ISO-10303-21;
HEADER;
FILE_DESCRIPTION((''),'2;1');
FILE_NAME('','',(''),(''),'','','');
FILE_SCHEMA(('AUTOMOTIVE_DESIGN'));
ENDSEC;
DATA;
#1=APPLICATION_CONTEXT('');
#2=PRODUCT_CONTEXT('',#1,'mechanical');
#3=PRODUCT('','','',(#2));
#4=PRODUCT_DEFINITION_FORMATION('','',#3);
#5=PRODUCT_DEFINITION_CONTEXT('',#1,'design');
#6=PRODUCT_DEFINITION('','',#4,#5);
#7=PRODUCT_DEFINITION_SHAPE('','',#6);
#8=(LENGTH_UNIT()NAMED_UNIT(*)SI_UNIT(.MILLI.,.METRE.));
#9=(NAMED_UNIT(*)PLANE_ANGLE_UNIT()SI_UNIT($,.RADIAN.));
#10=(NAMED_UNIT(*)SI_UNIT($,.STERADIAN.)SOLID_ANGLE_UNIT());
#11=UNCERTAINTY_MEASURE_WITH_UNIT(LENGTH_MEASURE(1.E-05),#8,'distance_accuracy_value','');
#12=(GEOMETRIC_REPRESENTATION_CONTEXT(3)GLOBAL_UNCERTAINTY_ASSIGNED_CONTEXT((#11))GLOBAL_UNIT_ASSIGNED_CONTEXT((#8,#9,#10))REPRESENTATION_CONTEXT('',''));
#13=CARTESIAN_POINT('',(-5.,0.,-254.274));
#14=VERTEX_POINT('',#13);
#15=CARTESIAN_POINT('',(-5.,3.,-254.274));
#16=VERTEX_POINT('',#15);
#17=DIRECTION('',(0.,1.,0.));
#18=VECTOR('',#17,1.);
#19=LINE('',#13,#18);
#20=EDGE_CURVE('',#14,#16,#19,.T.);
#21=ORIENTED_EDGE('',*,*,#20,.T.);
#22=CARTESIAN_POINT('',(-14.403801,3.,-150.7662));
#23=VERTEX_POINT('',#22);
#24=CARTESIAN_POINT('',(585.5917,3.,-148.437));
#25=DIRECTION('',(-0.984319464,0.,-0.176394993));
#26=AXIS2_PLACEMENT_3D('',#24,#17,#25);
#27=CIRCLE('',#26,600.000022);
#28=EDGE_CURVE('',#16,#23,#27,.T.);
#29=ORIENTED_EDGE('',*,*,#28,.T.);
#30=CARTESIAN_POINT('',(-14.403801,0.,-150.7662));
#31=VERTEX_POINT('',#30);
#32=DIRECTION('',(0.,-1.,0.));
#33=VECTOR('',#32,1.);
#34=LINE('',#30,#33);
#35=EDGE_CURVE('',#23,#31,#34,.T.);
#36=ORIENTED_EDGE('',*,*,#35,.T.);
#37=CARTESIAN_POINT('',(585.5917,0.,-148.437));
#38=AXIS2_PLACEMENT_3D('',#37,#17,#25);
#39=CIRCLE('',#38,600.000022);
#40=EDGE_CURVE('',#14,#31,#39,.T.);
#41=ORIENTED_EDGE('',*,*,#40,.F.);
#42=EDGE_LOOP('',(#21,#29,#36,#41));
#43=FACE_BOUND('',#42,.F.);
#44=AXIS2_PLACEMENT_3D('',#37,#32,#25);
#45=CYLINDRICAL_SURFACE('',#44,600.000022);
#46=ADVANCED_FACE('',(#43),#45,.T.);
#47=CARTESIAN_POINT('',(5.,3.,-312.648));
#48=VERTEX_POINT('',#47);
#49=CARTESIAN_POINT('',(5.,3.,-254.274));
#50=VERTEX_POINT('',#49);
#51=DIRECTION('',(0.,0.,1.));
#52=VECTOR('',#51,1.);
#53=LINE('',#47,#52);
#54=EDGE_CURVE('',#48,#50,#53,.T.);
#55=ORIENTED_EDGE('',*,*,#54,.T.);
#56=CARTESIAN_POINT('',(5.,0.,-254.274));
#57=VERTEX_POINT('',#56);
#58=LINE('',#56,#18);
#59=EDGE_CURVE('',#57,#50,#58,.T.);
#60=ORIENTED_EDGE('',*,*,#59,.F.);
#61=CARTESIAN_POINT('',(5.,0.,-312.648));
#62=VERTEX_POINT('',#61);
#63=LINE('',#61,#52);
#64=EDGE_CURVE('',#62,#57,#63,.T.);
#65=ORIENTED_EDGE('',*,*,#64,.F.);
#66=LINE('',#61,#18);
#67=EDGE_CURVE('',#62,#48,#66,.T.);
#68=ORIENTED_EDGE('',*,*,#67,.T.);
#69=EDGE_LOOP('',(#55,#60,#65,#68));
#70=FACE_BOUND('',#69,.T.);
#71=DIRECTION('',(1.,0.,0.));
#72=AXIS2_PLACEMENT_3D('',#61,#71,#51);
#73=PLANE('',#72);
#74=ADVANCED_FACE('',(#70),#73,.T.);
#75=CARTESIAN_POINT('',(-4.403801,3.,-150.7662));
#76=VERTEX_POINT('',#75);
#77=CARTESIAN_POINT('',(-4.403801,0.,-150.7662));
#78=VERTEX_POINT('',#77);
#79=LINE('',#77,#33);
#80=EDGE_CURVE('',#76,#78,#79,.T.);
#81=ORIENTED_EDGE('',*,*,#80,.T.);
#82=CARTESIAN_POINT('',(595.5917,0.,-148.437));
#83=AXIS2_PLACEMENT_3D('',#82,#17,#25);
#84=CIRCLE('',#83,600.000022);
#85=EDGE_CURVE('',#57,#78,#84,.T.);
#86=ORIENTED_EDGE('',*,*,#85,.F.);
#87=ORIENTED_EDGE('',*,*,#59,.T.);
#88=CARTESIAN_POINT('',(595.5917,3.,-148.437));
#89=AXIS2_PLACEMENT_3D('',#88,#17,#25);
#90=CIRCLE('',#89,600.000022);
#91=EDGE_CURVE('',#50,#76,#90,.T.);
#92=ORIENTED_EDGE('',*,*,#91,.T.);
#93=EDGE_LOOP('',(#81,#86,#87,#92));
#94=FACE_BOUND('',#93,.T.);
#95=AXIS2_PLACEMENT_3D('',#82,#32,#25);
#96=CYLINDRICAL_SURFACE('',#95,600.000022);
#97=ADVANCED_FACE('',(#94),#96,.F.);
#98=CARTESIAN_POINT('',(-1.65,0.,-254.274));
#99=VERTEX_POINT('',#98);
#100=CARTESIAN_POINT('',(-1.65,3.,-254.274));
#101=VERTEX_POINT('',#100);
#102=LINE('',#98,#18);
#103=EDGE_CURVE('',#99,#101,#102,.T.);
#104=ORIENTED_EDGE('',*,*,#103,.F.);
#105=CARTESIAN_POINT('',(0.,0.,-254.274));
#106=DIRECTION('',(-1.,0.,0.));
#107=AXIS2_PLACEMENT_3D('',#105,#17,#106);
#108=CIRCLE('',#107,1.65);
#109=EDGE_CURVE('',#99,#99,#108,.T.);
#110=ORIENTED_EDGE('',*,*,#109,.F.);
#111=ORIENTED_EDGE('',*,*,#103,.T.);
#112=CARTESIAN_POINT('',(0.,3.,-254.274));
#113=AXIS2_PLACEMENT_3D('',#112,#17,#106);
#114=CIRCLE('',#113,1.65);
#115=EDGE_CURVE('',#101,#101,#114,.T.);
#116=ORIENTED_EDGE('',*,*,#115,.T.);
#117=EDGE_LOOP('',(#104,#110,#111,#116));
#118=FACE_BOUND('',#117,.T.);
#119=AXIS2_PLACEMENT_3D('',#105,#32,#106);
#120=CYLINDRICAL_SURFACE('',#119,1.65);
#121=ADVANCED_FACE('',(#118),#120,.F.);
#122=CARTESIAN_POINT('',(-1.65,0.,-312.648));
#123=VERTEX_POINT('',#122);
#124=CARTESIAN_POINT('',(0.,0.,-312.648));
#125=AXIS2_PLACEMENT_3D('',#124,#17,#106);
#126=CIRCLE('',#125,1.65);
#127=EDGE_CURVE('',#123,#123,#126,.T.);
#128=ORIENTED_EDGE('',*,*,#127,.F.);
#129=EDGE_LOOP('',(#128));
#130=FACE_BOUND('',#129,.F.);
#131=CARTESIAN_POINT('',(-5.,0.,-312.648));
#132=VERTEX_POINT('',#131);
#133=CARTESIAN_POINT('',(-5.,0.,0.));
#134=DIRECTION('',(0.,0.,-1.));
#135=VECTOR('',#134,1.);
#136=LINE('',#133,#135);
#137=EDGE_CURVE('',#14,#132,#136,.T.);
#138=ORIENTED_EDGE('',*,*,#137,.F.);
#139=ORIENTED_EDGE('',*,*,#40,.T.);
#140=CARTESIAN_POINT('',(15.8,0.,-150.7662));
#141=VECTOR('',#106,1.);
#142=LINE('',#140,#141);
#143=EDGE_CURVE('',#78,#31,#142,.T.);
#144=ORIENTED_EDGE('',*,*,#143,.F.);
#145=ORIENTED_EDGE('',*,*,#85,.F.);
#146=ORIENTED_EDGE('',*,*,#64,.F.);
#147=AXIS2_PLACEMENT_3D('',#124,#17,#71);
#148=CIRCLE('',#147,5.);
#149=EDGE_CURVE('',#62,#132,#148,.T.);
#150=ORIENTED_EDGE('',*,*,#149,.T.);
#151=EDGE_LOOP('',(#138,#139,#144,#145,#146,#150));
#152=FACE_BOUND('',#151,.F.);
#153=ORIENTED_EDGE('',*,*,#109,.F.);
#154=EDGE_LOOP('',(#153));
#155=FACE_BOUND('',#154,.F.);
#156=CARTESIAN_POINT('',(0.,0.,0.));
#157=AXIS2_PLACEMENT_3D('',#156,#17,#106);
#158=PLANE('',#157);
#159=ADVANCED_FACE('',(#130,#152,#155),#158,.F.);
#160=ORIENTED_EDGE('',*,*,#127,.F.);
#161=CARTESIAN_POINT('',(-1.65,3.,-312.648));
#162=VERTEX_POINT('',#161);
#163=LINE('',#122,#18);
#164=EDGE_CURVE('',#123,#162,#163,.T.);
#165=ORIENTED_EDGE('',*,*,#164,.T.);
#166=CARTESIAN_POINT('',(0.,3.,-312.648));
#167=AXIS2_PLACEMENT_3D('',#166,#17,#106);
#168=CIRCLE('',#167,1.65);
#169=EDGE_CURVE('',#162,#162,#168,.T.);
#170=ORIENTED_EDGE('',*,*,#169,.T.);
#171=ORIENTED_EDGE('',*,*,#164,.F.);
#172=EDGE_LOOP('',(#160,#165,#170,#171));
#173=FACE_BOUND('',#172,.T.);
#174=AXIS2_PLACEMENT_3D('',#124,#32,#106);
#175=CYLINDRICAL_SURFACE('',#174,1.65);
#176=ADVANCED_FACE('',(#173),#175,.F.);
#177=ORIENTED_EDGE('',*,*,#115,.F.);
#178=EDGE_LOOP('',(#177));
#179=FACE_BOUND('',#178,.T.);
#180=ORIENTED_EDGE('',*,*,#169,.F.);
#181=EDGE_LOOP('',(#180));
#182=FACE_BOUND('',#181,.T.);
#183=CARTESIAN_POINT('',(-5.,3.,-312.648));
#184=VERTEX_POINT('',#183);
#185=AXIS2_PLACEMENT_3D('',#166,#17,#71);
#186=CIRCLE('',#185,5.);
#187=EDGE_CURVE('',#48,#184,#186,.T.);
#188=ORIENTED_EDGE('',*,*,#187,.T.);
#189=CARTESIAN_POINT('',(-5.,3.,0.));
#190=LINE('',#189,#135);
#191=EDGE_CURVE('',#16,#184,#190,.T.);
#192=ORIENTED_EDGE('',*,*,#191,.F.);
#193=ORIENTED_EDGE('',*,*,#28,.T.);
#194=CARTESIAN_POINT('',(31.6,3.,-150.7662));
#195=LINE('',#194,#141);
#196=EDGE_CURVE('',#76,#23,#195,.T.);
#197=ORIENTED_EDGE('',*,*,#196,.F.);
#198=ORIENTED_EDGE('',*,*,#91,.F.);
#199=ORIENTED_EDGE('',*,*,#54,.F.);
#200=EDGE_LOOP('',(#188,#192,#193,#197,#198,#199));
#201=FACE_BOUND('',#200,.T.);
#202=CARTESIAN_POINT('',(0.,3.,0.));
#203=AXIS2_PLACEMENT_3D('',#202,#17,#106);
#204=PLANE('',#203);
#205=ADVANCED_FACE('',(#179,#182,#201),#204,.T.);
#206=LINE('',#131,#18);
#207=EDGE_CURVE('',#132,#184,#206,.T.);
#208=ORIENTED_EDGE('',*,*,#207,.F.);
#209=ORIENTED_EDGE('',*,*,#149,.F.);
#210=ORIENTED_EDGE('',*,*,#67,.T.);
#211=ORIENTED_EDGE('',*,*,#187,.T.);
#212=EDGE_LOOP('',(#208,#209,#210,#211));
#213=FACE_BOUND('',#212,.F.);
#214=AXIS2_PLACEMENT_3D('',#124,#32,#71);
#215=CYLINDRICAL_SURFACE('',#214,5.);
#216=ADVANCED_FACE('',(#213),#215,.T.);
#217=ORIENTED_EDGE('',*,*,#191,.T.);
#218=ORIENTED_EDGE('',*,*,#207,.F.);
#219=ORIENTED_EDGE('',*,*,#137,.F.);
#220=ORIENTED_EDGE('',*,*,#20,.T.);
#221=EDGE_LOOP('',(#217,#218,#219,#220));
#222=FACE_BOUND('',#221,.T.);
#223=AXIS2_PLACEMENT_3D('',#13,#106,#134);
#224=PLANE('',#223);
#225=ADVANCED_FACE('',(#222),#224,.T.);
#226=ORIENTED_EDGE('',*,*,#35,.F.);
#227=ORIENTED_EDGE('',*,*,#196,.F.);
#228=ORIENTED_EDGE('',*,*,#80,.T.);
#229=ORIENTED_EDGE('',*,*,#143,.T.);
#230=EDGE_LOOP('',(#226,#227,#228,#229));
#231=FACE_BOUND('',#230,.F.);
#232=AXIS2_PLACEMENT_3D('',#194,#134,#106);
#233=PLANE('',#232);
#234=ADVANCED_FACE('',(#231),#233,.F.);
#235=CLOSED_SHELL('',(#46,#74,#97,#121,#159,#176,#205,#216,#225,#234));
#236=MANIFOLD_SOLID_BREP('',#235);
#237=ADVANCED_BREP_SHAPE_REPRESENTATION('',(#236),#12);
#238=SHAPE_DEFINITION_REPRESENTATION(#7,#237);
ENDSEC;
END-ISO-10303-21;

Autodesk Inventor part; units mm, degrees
ref_plane "YZ Plane" through (0, 0, 0) normal (1, 0, 0) x (0, 1, 0)
ref_plane "XZ Plane" through (0, 0, 0) normal (0, 1, 0) x (-1, 0, 0)
ref_plane "XY Plane" through (0, 0, 0) normal (0, 0, 1) x (1, 0, 0)
sketch "Sketch1" plane through (0, 0, 0) normal (0, 1, 0) x (-1, 0, 0)
  line L0 (0, 0) -> (0, -312.648) construction
  line L1 (5, 0) -> (5, -312.648)
  line L2 (-5, -312.648) -> (-5, 0)
  arc A0 (5, 0) -> (-5, 0) centre (0, 0) ccw
  arc A1 (-5, -312.648) -> (5, -312.648) centre (0, -312.648) ccw
  circle A2 centre (0, 0) radius 1.65
  circle A3 centre (0, -312.648) radius 1.65
  circle A4 centre (0, -42.6) radius 1.65
  circle A5 centre (0, -254.274) radius 1.65
  arc A6 (5, -254.274) -> (5, -42.6) centre (-585.5917, -148.437) ccw
  arc A7 (-5, -254.274) -> (-5, -42.6) centre (-595.5917, -148.437) ccw
  point P0 (0, -156.324)
  dimension "d0" = 3.3
  dimension "d1" = 3.3
  dimension "d2" = 10
  dimension "d3" = 312.648
  dimension "d10" = 3.3
  dimension "d11" = 42.6
  dimension "d12" = 3.3
  dimension "d13" = 254.274
  dimension "d16" = 600
  dimension "d17" = 600
extrude "Extrusion1" add sketch "Sketch1" along normal blind 3 contours L1 A1 L2 A7 A0 | A6 L1
sketch "Sketch2" plane through (0, 3, 0) normal (0, 1, 0) x (1, 0, 0)
  line L0 (-83.1437, 348.5388) -> (78.2815, 348.5388)
  line L1 (78.2815, 348.5388) -> (78.2815, -47.0064)
  line L2 (78.2815, -47.0064) -> (-83.1437, -47.0064)
  line L3 (-83.1437, -47.0064) -> (-83.1437, 348.5388)
  line L4 (-31.117, 331.0778) -> (31.6, 331.0778)
  line L5 (31.6, 331.0778) -> (31.6, 150.7662)
  line L6 (31.6, 150.7662) -> (-31.117, 150.7662)
  line L7 (-31.117, 150.7662) -> (-31.117, 331.0778)
  point P0 (0, 0)
extrude "Extrusion2" cut sketch "Sketch2" against normal blind 10
properties part number "Part_5_p2"
